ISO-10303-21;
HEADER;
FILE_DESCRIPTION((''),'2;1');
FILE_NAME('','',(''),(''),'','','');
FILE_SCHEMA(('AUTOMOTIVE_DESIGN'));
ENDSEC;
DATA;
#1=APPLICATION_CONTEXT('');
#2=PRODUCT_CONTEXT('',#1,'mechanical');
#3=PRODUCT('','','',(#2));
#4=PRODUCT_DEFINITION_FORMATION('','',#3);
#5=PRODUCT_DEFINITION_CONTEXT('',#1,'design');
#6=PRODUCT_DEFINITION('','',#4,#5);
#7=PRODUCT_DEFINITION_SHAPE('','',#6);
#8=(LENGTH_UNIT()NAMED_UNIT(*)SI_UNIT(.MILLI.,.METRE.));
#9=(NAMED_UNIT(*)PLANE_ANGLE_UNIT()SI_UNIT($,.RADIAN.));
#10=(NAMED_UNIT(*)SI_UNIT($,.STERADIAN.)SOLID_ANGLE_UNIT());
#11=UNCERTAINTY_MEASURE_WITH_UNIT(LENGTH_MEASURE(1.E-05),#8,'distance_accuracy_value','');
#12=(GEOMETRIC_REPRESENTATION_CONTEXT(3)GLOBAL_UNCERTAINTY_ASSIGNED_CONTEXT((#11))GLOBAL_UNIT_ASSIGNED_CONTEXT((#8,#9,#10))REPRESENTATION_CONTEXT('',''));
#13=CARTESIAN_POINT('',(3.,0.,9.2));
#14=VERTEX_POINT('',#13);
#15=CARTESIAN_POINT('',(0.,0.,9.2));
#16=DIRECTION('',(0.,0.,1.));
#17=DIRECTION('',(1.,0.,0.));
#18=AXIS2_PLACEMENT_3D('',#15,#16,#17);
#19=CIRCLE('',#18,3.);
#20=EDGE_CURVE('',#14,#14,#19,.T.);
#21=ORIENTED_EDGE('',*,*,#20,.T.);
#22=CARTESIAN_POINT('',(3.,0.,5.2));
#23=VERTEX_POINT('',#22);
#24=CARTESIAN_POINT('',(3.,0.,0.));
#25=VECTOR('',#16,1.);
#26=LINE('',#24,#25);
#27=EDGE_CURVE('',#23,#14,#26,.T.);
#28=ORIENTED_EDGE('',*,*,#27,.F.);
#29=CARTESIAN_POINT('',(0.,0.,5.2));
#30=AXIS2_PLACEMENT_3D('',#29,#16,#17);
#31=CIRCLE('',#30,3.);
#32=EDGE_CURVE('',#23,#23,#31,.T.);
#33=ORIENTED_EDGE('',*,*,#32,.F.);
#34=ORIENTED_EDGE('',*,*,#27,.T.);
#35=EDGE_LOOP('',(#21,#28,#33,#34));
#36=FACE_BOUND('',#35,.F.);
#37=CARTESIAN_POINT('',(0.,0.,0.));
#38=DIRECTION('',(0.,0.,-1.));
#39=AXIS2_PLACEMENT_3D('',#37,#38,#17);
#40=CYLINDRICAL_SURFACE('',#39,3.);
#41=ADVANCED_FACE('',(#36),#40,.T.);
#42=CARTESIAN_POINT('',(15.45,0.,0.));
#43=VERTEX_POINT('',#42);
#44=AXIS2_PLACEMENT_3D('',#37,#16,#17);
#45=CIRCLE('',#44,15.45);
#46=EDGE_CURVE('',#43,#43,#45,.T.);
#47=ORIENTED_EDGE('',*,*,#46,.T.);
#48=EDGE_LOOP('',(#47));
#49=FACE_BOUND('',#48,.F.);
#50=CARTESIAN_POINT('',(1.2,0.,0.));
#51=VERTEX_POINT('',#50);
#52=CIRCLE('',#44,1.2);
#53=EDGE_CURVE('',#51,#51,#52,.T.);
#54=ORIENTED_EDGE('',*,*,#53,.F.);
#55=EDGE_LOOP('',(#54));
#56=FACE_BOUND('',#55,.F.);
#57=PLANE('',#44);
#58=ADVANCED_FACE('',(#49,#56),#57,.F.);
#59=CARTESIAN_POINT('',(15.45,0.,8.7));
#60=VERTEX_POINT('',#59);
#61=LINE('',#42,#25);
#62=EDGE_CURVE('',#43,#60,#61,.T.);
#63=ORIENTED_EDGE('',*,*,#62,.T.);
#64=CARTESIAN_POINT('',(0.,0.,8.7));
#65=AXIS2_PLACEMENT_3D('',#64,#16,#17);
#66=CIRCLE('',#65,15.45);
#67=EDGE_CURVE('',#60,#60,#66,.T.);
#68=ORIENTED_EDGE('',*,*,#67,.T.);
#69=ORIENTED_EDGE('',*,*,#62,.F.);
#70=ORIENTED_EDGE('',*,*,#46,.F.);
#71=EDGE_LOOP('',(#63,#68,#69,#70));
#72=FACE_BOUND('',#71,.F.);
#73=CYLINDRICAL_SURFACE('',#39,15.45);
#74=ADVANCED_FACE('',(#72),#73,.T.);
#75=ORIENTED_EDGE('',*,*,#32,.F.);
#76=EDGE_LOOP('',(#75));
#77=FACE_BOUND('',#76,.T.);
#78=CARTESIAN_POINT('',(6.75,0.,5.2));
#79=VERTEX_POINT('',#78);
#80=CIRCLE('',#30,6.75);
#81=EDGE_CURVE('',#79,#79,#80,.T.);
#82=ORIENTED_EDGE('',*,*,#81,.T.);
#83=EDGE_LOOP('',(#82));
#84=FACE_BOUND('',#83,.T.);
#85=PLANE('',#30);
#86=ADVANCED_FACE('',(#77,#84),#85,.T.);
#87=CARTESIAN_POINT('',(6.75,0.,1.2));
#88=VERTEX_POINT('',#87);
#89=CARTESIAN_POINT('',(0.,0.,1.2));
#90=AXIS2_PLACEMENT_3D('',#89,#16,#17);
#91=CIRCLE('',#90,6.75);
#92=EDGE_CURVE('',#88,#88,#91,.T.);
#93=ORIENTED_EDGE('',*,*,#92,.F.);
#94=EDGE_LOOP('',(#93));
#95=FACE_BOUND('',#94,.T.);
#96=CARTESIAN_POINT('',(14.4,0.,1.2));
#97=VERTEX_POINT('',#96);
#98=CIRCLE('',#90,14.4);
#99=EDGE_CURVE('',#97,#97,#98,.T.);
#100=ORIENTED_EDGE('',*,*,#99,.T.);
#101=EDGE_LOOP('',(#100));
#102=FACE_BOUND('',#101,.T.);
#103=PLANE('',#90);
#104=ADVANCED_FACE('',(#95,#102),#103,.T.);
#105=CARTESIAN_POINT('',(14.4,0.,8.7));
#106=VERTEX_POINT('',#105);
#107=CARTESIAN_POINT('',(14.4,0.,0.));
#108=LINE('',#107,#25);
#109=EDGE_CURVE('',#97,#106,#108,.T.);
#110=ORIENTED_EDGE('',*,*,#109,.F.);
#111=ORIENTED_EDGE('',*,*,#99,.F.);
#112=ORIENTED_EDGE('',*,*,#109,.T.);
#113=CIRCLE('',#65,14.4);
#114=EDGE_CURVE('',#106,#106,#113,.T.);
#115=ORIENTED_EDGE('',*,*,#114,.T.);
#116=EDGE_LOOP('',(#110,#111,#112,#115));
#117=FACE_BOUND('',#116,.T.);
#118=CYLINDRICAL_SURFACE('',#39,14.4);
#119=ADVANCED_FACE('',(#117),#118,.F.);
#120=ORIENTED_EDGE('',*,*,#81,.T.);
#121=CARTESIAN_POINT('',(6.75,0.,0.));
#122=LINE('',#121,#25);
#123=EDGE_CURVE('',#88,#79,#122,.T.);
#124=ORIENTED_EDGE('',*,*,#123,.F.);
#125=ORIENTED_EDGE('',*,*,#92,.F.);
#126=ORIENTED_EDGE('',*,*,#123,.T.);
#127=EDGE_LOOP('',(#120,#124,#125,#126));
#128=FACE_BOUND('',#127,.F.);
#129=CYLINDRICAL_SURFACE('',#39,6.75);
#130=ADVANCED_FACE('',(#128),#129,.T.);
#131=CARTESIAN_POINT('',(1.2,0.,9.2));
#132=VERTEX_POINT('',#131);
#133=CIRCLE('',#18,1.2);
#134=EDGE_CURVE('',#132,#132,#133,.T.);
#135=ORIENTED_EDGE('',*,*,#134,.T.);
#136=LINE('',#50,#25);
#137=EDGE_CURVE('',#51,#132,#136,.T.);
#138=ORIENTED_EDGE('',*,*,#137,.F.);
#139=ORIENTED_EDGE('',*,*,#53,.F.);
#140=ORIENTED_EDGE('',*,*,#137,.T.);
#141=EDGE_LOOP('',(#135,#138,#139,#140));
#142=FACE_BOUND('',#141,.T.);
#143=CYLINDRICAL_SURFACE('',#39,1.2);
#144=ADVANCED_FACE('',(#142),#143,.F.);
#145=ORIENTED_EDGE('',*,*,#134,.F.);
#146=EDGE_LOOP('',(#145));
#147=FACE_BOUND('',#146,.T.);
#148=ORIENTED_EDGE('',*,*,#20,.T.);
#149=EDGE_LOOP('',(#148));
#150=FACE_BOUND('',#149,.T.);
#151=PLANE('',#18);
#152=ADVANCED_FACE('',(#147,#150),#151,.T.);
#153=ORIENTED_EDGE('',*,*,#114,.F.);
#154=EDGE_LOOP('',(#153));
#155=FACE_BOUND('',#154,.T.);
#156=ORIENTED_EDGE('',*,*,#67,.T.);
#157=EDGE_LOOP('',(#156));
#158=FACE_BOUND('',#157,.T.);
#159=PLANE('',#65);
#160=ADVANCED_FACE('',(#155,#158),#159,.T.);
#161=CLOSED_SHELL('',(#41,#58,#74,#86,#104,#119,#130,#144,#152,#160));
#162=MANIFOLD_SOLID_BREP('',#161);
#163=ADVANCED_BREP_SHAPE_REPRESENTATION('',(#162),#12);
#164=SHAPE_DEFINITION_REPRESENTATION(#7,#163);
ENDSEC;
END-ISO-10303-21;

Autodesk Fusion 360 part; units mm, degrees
sketch "Sketch1" plane through (0, 0, 0) normal (0, 0, 1) x (1, 0, 0)
  circle A0 centre (0, 0) radius 15.45
  circle A1 centre (0, 0) radius 14.4
  circle A2 centre (0, 0) radius 6.75
  circle A3 centre (0, 0) radius 3
  circle A4 centre (0, 0) radius 1.2
  dimension "d24" = 30.9
  dimension "d25" = 28.8
  dimension "d26" = 13.5
  dimension "d27" = 6
  dimension "d28" = 2.4
extrude "Extrude1" add sketch "Sketch1" along normal blind 1.2 contours A1 makes body 1
extrude "Extrude2" add sketch "Sketch1" along normal blind 8.7 contours A0 bodies 1
extrude "Extrude3" add sketch "Sketch1" along normal blind 9.2 separate body contours A3 makes body 2
extrude "Extrude4" add sketch "Sketch1" along normal blind 5.2 contours A2 bodies 1 2
equation "d25 = 30.9 mm - 2.1 mm"
equation "d35 = 9.2 mm - 4 mm"
